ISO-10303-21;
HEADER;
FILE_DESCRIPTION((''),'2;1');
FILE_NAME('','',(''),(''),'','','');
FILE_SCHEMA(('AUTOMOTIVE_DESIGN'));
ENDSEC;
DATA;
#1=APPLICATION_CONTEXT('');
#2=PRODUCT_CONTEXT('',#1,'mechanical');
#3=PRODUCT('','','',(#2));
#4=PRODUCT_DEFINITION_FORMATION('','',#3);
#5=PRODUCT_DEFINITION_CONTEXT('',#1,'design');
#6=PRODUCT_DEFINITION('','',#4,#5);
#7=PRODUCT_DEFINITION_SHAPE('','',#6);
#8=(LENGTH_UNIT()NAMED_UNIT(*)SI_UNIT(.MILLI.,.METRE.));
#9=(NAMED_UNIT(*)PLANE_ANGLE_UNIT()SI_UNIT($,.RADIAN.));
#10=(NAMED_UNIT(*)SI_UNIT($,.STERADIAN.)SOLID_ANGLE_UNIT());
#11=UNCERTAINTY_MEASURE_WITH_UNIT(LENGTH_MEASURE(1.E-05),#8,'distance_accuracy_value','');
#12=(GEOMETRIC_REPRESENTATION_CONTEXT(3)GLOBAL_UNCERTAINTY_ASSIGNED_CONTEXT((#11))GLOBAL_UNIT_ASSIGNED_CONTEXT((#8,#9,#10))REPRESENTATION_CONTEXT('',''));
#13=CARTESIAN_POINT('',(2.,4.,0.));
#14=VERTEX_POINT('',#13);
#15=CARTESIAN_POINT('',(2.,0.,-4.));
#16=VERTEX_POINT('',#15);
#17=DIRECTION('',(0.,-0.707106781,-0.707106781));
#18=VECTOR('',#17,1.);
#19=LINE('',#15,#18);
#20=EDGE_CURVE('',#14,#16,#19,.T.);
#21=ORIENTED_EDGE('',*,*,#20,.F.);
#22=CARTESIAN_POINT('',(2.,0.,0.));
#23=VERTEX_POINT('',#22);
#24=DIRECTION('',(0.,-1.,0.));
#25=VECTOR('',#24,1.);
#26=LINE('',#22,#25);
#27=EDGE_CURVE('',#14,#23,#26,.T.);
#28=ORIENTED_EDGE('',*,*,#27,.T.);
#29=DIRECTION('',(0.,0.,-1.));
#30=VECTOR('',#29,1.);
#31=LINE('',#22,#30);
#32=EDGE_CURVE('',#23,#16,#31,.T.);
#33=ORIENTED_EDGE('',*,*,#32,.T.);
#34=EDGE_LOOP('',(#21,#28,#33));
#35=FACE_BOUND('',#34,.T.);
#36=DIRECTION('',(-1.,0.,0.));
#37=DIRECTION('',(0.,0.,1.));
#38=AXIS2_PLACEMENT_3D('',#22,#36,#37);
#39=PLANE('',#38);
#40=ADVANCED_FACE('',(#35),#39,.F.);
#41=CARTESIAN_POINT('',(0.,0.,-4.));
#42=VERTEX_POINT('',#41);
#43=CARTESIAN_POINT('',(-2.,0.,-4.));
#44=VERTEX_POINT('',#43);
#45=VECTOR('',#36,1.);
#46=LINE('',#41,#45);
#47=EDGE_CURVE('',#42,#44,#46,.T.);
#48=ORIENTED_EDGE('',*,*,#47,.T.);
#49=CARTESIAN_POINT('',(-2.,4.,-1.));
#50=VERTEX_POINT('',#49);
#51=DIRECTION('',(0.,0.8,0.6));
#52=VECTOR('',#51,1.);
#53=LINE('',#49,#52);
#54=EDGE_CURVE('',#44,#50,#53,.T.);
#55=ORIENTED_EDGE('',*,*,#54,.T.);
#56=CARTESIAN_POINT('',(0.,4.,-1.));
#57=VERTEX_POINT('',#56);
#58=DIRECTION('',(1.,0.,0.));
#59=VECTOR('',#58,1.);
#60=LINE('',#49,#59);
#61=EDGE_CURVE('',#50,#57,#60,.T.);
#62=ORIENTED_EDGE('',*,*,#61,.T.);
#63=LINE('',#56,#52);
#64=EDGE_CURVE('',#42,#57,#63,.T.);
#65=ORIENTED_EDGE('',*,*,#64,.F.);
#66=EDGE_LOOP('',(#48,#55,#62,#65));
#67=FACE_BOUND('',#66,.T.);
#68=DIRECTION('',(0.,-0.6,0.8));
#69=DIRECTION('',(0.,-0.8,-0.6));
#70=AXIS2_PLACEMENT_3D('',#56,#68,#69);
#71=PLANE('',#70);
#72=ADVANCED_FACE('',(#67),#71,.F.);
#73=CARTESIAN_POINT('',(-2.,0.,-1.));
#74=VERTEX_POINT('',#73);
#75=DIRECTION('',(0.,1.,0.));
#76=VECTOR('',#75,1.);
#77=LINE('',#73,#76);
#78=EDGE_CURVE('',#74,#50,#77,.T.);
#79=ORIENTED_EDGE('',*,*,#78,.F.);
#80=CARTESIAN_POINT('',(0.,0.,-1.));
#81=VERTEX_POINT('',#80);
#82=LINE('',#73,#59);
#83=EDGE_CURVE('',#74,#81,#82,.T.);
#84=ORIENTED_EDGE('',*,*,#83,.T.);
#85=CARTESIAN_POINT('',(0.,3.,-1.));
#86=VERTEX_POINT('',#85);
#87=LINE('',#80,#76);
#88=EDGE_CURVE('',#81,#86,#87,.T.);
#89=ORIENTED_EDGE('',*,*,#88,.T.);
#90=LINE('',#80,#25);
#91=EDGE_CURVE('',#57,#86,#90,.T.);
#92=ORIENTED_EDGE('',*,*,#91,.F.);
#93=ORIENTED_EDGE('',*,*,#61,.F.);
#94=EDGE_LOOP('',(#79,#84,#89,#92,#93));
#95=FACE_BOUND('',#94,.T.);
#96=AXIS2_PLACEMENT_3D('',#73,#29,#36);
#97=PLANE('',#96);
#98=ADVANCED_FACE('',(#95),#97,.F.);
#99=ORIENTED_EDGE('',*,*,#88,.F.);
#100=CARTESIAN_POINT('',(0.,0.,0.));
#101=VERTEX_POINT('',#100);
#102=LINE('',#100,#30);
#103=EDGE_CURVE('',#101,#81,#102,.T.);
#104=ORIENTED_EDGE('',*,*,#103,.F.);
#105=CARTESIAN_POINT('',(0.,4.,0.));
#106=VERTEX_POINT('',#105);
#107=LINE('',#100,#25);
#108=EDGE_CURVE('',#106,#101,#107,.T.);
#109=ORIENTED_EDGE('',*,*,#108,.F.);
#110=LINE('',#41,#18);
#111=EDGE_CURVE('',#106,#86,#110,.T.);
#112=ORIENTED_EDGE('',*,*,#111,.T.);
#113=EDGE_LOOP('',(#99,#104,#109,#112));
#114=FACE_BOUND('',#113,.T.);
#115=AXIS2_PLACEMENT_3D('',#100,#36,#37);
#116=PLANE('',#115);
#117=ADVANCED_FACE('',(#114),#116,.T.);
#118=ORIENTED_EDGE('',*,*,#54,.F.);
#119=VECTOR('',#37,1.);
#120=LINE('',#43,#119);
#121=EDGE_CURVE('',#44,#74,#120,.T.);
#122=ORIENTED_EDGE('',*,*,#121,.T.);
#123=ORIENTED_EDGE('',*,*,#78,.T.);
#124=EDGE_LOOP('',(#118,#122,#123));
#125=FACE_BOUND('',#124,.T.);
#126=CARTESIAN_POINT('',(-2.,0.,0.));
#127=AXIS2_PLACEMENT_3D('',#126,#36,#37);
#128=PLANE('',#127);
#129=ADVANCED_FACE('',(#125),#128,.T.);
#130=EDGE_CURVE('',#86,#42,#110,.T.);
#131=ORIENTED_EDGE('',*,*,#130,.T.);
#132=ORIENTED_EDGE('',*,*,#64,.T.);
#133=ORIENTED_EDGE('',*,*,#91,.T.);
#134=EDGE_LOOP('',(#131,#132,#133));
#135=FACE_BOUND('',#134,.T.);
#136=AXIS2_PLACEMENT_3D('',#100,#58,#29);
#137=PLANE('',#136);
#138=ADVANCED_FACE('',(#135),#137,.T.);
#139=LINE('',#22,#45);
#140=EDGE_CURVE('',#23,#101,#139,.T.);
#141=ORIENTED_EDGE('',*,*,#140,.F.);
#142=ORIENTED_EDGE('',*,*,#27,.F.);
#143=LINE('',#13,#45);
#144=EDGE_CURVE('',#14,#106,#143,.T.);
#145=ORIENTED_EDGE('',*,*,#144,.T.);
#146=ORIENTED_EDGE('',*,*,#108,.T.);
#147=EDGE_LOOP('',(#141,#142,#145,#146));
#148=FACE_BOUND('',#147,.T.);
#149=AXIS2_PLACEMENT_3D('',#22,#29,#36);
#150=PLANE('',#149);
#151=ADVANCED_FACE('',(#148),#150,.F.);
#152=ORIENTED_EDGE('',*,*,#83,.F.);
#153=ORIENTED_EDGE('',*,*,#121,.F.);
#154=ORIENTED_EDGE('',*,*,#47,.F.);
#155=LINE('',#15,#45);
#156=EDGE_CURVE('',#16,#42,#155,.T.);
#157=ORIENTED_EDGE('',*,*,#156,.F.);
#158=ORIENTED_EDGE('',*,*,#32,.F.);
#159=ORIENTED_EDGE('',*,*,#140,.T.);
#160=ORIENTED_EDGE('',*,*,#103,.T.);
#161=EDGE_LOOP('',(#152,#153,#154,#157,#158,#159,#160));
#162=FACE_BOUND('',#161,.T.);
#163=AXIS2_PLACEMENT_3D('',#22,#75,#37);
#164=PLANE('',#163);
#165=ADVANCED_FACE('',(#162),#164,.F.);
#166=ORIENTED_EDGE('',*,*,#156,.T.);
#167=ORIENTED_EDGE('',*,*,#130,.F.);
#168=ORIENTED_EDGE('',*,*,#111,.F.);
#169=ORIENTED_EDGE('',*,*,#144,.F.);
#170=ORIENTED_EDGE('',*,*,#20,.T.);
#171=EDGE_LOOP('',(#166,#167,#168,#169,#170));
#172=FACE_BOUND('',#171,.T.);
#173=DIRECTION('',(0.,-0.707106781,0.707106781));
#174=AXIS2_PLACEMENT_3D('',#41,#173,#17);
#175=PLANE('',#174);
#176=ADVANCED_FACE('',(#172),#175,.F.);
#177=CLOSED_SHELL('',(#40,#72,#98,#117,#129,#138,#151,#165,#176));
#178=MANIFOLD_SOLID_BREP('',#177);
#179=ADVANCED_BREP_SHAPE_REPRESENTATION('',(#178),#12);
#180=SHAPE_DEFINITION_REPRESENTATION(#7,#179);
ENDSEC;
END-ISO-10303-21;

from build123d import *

# Parameters (mm, degrees)
SKETCH1_W           = 4
SKETCH1_H           = 4
BOSS_EXTRUDE1_DEPTH = 2
SKETCH2_W           = 3
SKETCH2_H           = 4
BOSS_EXTRUDE2_DEPTH = 2
CUT_EXTRUDE1_DEPTH  = 2
CUT_EXTRUDE2_DEPTH  = 2


with BuildPart() as part:
    # Sketch1 → Boss-Extrude1 (new body)
    with BuildSketch(Plane(origin=(0, 0, 0), x_dir=(0, 0, -1), z_dir=(1, 0, 0))):
        with Locations((2, 2)):
            Rectangle(SKETCH1_W, SKETCH1_H)
    extrude(amount=BOSS_EXTRUDE1_DEPTH)

    # Sketch2 → Boss-Extrude2 (add)
    with BuildSketch(Plane.ZY):
        with Locations((-2.5, 2)):
            Rectangle(SKETCH2_W, SKETCH2_H)
    extrude(amount=BOSS_EXTRUDE2_DEPTH)

    # Sketch3 → Cut-Extrude1 (cut)
    with BuildSketch(Plane.ZY.offset(2)):
        Polygon((-1, 4), (-4, 0), (-4, 4), align=None)
    extrude(amount=-CUT_EXTRUDE1_DEPTH, mode=Mode.SUBTRACT)

    # Sketch4 → Cut-Extrude2 (cut)
    with BuildSketch(Plane(origin=(2, 0, 0), x_dir=(0, 0, -1), z_dir=(1, 0, 0))):
        Polygon((4, 0), (0, 4), (4, 4), align=None)
    extrude(amount=-CUT_EXTRUDE2_DEPTH, mode=Mode.SUBTRACT)


solid = part.part
